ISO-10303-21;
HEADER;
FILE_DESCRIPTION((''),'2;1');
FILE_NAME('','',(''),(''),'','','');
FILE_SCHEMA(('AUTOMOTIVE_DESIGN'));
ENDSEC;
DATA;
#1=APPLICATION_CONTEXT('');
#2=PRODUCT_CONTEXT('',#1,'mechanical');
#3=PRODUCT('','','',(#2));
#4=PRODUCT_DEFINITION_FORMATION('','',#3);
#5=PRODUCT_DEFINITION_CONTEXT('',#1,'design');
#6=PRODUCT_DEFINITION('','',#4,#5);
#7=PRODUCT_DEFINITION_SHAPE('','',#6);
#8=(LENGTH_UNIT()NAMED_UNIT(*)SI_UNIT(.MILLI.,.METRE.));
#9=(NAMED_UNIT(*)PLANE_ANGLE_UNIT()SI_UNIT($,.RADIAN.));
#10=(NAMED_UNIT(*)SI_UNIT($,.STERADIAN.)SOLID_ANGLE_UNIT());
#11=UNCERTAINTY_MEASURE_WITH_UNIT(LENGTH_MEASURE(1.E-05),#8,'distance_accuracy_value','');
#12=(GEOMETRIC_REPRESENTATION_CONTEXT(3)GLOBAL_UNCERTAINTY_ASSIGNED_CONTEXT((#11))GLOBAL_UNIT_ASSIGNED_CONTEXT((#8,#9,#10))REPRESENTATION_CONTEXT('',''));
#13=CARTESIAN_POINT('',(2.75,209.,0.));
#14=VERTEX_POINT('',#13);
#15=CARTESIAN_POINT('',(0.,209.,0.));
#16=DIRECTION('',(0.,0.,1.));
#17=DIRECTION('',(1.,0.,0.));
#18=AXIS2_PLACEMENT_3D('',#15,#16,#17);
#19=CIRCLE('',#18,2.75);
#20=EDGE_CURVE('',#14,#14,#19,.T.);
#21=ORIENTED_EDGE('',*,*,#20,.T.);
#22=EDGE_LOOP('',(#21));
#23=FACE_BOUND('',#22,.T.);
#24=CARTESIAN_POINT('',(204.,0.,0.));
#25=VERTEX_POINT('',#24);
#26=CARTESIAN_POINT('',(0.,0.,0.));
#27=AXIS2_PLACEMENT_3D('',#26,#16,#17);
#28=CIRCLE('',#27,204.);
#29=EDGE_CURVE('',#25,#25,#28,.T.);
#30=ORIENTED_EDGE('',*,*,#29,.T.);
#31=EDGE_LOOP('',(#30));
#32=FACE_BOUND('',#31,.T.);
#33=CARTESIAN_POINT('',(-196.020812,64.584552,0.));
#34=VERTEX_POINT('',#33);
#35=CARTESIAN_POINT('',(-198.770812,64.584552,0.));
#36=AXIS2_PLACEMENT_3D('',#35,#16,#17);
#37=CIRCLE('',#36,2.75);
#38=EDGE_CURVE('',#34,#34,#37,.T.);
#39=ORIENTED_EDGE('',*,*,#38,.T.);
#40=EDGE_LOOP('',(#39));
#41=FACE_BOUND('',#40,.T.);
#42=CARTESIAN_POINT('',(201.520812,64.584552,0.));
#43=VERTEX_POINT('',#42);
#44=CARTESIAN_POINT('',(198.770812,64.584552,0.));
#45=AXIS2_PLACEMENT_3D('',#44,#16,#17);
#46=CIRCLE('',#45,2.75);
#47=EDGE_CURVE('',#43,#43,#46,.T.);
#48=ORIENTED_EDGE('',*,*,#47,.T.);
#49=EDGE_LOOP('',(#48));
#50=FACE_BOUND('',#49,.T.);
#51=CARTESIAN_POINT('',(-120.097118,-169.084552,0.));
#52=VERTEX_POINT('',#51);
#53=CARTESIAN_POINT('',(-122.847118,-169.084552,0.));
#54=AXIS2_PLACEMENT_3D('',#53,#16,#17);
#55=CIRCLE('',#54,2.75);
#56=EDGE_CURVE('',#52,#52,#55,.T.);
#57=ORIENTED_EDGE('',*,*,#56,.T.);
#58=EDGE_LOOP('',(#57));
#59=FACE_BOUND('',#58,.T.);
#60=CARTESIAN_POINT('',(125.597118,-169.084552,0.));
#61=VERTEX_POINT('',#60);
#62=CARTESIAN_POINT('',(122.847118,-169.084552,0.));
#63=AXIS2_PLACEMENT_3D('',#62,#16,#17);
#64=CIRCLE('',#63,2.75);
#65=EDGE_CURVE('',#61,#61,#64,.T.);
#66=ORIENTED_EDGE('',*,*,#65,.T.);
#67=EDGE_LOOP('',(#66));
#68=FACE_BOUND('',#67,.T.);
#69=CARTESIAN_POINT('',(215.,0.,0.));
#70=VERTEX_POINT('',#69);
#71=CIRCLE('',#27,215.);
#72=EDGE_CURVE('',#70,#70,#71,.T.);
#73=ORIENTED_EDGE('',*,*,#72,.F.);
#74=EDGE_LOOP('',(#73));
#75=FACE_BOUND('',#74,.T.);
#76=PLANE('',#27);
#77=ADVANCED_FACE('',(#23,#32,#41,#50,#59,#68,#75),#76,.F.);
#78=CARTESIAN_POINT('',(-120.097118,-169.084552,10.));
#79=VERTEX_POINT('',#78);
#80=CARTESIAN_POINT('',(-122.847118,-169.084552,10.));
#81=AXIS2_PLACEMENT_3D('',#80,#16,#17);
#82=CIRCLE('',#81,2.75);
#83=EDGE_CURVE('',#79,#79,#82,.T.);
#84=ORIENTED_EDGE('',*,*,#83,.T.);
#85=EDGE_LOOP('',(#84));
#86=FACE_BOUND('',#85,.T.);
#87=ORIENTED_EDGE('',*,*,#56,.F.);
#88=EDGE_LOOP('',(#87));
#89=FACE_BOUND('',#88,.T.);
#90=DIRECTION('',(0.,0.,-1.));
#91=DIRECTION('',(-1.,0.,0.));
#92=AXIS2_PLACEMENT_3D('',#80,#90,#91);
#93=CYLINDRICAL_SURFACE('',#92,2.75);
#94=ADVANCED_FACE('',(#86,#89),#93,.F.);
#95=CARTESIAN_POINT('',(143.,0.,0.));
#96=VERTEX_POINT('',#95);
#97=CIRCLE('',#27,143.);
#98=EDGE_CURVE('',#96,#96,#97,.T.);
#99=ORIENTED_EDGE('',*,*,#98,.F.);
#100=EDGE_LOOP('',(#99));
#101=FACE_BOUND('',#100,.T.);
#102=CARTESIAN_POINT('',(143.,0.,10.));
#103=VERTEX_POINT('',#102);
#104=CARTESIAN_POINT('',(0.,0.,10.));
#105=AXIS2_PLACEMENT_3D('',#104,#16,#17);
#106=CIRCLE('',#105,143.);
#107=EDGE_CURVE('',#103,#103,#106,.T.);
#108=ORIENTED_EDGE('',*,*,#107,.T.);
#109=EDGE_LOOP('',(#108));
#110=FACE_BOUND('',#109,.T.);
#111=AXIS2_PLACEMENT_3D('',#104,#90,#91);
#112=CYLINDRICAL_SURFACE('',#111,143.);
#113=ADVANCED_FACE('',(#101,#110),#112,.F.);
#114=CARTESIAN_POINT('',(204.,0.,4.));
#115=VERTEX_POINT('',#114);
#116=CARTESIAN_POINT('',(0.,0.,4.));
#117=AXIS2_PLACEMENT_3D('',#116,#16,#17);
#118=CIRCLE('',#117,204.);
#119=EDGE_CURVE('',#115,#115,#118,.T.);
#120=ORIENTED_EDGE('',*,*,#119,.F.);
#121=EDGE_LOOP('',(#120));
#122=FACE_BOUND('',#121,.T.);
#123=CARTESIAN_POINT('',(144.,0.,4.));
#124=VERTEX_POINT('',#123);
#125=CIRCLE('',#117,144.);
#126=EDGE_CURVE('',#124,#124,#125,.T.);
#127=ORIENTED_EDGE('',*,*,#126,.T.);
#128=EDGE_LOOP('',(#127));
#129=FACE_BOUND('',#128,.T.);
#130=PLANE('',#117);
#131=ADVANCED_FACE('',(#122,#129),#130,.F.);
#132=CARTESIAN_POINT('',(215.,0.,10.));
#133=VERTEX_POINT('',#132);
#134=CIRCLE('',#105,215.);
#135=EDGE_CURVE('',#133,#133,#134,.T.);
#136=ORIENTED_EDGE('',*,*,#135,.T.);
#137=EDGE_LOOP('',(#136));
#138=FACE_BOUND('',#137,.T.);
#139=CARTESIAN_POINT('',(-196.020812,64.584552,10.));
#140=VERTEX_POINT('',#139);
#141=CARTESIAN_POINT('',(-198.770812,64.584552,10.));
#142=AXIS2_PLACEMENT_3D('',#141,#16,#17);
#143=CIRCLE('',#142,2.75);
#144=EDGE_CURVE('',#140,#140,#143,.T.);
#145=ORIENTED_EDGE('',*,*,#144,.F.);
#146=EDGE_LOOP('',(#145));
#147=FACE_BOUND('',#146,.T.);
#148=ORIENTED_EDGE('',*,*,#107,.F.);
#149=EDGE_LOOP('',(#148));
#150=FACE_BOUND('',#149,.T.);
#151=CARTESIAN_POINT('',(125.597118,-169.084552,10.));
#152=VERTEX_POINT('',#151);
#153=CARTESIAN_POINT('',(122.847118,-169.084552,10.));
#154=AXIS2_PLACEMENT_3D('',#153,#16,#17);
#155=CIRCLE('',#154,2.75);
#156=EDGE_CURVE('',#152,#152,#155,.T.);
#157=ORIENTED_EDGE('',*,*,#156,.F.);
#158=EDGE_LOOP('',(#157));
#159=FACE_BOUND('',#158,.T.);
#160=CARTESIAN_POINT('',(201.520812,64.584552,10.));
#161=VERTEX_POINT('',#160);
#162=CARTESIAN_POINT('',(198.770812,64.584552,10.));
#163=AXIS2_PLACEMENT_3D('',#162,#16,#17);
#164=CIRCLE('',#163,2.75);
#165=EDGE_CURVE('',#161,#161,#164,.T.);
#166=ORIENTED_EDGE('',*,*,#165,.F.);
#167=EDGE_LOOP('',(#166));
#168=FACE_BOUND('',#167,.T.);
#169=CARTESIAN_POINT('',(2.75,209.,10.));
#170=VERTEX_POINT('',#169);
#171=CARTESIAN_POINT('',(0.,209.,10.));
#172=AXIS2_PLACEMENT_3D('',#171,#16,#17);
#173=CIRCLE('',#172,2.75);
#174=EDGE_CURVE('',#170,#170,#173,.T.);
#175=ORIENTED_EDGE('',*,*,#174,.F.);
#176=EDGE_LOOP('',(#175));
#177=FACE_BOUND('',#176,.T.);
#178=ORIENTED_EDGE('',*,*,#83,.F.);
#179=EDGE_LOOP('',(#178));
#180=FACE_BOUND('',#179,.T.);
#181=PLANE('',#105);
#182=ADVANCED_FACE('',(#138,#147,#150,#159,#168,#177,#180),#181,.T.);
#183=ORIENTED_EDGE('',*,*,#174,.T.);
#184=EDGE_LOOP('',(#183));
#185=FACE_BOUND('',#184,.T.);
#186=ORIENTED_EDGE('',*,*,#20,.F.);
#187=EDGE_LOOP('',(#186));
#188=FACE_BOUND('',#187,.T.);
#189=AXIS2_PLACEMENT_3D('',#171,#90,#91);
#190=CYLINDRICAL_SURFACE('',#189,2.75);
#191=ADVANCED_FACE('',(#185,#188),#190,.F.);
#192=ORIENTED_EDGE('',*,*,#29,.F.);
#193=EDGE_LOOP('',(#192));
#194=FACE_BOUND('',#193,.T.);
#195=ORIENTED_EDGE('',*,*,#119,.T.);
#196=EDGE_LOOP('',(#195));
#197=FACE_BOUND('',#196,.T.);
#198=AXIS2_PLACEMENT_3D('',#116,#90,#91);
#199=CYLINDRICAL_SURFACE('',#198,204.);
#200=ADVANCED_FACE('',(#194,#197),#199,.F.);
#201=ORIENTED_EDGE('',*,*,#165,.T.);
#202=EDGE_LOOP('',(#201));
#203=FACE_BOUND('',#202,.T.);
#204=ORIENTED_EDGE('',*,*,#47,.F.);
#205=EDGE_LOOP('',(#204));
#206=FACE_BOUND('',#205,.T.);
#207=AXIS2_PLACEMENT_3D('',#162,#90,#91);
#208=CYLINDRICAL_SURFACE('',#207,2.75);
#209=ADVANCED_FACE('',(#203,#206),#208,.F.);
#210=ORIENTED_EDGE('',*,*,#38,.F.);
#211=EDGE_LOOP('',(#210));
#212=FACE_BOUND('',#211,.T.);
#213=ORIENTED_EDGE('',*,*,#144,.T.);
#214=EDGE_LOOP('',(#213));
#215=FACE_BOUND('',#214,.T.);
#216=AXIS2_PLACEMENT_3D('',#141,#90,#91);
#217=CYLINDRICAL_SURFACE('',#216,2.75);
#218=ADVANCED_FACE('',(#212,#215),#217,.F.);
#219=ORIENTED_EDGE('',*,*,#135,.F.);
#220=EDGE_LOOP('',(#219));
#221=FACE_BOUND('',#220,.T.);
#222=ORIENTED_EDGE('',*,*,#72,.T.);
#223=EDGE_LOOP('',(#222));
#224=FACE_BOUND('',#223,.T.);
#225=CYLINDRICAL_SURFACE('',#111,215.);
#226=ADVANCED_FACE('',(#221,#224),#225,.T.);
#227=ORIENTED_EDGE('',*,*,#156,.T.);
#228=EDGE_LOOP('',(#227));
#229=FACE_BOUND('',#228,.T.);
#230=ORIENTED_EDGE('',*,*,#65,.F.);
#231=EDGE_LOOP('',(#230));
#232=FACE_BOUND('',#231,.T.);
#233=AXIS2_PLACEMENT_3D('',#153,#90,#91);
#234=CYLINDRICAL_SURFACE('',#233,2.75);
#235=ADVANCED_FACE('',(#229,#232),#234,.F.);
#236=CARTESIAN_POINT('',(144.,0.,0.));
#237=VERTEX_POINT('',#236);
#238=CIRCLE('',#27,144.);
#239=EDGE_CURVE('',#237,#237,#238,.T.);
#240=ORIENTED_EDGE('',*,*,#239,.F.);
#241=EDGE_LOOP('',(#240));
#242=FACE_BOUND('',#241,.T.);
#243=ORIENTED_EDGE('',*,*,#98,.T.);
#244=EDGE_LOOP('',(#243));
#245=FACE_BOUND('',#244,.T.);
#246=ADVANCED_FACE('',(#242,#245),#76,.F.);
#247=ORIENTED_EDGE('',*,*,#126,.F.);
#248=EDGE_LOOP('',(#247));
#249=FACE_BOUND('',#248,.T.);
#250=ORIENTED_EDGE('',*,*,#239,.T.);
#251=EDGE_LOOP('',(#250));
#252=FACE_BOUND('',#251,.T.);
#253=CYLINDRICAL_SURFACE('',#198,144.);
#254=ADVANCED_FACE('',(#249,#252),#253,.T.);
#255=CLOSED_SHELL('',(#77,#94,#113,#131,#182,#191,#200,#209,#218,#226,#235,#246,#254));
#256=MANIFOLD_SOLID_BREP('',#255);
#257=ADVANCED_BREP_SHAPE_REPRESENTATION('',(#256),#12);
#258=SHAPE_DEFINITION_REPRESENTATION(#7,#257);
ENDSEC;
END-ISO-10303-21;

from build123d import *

# Parameters (mm, degrees)
SKETCH1_R         = 215
SKETCH1_R_2       = 143
PLATE_DEPTH       = 10
SKETCH2_R         = 204
SKETCH2_R_2       = 144
COMB_GROOVE_DEPTH = 4
SKETCH3_R         = 2.75
ROD_HOLES_DEPTH   = 10


with BuildPart() as part:
    # Sketch1 → Plate (new body)
    with BuildSketch(Plane.XY):
        Circle(SKETCH1_R)
        Circle(SKETCH1_R_2, mode=Mode.SUBTRACT)
    extrude(amount=PLATE_DEPTH)

    # Sketch2 → Comb_groove (cut)
    with BuildSketch(Plane.XY):
        Circle(SKETCH2_R)
        Circle(SKETCH2_R_2, mode=Mode.SUBTRACT)
    extrude(amount=COMB_GROOVE_DEPTH, mode=Mode.SUBTRACT)

    # Sketch3 → Rod_holes (cut)
    with BuildSketch(Plane.XY):
        with Locations((198.770811906, 64.584551824)):
            Circle(SKETCH3_R)
        with Locations((0, 209)):
            Circle(SKETCH3_R)
        with Locations((-198.770811906, 64.584551824)):
            Circle(SKETCH3_R)
        with Locations((-122.847117729, -169.084551824)):
            Circle(SKETCH3_R)
        with Locations((122.847117729, -169.084551824)):
            Circle(SKETCH3_R)
    extrude(amount=ROD_HOLES_DEPTH, mode=Mode.SUBTRACT)


solid = part.part
